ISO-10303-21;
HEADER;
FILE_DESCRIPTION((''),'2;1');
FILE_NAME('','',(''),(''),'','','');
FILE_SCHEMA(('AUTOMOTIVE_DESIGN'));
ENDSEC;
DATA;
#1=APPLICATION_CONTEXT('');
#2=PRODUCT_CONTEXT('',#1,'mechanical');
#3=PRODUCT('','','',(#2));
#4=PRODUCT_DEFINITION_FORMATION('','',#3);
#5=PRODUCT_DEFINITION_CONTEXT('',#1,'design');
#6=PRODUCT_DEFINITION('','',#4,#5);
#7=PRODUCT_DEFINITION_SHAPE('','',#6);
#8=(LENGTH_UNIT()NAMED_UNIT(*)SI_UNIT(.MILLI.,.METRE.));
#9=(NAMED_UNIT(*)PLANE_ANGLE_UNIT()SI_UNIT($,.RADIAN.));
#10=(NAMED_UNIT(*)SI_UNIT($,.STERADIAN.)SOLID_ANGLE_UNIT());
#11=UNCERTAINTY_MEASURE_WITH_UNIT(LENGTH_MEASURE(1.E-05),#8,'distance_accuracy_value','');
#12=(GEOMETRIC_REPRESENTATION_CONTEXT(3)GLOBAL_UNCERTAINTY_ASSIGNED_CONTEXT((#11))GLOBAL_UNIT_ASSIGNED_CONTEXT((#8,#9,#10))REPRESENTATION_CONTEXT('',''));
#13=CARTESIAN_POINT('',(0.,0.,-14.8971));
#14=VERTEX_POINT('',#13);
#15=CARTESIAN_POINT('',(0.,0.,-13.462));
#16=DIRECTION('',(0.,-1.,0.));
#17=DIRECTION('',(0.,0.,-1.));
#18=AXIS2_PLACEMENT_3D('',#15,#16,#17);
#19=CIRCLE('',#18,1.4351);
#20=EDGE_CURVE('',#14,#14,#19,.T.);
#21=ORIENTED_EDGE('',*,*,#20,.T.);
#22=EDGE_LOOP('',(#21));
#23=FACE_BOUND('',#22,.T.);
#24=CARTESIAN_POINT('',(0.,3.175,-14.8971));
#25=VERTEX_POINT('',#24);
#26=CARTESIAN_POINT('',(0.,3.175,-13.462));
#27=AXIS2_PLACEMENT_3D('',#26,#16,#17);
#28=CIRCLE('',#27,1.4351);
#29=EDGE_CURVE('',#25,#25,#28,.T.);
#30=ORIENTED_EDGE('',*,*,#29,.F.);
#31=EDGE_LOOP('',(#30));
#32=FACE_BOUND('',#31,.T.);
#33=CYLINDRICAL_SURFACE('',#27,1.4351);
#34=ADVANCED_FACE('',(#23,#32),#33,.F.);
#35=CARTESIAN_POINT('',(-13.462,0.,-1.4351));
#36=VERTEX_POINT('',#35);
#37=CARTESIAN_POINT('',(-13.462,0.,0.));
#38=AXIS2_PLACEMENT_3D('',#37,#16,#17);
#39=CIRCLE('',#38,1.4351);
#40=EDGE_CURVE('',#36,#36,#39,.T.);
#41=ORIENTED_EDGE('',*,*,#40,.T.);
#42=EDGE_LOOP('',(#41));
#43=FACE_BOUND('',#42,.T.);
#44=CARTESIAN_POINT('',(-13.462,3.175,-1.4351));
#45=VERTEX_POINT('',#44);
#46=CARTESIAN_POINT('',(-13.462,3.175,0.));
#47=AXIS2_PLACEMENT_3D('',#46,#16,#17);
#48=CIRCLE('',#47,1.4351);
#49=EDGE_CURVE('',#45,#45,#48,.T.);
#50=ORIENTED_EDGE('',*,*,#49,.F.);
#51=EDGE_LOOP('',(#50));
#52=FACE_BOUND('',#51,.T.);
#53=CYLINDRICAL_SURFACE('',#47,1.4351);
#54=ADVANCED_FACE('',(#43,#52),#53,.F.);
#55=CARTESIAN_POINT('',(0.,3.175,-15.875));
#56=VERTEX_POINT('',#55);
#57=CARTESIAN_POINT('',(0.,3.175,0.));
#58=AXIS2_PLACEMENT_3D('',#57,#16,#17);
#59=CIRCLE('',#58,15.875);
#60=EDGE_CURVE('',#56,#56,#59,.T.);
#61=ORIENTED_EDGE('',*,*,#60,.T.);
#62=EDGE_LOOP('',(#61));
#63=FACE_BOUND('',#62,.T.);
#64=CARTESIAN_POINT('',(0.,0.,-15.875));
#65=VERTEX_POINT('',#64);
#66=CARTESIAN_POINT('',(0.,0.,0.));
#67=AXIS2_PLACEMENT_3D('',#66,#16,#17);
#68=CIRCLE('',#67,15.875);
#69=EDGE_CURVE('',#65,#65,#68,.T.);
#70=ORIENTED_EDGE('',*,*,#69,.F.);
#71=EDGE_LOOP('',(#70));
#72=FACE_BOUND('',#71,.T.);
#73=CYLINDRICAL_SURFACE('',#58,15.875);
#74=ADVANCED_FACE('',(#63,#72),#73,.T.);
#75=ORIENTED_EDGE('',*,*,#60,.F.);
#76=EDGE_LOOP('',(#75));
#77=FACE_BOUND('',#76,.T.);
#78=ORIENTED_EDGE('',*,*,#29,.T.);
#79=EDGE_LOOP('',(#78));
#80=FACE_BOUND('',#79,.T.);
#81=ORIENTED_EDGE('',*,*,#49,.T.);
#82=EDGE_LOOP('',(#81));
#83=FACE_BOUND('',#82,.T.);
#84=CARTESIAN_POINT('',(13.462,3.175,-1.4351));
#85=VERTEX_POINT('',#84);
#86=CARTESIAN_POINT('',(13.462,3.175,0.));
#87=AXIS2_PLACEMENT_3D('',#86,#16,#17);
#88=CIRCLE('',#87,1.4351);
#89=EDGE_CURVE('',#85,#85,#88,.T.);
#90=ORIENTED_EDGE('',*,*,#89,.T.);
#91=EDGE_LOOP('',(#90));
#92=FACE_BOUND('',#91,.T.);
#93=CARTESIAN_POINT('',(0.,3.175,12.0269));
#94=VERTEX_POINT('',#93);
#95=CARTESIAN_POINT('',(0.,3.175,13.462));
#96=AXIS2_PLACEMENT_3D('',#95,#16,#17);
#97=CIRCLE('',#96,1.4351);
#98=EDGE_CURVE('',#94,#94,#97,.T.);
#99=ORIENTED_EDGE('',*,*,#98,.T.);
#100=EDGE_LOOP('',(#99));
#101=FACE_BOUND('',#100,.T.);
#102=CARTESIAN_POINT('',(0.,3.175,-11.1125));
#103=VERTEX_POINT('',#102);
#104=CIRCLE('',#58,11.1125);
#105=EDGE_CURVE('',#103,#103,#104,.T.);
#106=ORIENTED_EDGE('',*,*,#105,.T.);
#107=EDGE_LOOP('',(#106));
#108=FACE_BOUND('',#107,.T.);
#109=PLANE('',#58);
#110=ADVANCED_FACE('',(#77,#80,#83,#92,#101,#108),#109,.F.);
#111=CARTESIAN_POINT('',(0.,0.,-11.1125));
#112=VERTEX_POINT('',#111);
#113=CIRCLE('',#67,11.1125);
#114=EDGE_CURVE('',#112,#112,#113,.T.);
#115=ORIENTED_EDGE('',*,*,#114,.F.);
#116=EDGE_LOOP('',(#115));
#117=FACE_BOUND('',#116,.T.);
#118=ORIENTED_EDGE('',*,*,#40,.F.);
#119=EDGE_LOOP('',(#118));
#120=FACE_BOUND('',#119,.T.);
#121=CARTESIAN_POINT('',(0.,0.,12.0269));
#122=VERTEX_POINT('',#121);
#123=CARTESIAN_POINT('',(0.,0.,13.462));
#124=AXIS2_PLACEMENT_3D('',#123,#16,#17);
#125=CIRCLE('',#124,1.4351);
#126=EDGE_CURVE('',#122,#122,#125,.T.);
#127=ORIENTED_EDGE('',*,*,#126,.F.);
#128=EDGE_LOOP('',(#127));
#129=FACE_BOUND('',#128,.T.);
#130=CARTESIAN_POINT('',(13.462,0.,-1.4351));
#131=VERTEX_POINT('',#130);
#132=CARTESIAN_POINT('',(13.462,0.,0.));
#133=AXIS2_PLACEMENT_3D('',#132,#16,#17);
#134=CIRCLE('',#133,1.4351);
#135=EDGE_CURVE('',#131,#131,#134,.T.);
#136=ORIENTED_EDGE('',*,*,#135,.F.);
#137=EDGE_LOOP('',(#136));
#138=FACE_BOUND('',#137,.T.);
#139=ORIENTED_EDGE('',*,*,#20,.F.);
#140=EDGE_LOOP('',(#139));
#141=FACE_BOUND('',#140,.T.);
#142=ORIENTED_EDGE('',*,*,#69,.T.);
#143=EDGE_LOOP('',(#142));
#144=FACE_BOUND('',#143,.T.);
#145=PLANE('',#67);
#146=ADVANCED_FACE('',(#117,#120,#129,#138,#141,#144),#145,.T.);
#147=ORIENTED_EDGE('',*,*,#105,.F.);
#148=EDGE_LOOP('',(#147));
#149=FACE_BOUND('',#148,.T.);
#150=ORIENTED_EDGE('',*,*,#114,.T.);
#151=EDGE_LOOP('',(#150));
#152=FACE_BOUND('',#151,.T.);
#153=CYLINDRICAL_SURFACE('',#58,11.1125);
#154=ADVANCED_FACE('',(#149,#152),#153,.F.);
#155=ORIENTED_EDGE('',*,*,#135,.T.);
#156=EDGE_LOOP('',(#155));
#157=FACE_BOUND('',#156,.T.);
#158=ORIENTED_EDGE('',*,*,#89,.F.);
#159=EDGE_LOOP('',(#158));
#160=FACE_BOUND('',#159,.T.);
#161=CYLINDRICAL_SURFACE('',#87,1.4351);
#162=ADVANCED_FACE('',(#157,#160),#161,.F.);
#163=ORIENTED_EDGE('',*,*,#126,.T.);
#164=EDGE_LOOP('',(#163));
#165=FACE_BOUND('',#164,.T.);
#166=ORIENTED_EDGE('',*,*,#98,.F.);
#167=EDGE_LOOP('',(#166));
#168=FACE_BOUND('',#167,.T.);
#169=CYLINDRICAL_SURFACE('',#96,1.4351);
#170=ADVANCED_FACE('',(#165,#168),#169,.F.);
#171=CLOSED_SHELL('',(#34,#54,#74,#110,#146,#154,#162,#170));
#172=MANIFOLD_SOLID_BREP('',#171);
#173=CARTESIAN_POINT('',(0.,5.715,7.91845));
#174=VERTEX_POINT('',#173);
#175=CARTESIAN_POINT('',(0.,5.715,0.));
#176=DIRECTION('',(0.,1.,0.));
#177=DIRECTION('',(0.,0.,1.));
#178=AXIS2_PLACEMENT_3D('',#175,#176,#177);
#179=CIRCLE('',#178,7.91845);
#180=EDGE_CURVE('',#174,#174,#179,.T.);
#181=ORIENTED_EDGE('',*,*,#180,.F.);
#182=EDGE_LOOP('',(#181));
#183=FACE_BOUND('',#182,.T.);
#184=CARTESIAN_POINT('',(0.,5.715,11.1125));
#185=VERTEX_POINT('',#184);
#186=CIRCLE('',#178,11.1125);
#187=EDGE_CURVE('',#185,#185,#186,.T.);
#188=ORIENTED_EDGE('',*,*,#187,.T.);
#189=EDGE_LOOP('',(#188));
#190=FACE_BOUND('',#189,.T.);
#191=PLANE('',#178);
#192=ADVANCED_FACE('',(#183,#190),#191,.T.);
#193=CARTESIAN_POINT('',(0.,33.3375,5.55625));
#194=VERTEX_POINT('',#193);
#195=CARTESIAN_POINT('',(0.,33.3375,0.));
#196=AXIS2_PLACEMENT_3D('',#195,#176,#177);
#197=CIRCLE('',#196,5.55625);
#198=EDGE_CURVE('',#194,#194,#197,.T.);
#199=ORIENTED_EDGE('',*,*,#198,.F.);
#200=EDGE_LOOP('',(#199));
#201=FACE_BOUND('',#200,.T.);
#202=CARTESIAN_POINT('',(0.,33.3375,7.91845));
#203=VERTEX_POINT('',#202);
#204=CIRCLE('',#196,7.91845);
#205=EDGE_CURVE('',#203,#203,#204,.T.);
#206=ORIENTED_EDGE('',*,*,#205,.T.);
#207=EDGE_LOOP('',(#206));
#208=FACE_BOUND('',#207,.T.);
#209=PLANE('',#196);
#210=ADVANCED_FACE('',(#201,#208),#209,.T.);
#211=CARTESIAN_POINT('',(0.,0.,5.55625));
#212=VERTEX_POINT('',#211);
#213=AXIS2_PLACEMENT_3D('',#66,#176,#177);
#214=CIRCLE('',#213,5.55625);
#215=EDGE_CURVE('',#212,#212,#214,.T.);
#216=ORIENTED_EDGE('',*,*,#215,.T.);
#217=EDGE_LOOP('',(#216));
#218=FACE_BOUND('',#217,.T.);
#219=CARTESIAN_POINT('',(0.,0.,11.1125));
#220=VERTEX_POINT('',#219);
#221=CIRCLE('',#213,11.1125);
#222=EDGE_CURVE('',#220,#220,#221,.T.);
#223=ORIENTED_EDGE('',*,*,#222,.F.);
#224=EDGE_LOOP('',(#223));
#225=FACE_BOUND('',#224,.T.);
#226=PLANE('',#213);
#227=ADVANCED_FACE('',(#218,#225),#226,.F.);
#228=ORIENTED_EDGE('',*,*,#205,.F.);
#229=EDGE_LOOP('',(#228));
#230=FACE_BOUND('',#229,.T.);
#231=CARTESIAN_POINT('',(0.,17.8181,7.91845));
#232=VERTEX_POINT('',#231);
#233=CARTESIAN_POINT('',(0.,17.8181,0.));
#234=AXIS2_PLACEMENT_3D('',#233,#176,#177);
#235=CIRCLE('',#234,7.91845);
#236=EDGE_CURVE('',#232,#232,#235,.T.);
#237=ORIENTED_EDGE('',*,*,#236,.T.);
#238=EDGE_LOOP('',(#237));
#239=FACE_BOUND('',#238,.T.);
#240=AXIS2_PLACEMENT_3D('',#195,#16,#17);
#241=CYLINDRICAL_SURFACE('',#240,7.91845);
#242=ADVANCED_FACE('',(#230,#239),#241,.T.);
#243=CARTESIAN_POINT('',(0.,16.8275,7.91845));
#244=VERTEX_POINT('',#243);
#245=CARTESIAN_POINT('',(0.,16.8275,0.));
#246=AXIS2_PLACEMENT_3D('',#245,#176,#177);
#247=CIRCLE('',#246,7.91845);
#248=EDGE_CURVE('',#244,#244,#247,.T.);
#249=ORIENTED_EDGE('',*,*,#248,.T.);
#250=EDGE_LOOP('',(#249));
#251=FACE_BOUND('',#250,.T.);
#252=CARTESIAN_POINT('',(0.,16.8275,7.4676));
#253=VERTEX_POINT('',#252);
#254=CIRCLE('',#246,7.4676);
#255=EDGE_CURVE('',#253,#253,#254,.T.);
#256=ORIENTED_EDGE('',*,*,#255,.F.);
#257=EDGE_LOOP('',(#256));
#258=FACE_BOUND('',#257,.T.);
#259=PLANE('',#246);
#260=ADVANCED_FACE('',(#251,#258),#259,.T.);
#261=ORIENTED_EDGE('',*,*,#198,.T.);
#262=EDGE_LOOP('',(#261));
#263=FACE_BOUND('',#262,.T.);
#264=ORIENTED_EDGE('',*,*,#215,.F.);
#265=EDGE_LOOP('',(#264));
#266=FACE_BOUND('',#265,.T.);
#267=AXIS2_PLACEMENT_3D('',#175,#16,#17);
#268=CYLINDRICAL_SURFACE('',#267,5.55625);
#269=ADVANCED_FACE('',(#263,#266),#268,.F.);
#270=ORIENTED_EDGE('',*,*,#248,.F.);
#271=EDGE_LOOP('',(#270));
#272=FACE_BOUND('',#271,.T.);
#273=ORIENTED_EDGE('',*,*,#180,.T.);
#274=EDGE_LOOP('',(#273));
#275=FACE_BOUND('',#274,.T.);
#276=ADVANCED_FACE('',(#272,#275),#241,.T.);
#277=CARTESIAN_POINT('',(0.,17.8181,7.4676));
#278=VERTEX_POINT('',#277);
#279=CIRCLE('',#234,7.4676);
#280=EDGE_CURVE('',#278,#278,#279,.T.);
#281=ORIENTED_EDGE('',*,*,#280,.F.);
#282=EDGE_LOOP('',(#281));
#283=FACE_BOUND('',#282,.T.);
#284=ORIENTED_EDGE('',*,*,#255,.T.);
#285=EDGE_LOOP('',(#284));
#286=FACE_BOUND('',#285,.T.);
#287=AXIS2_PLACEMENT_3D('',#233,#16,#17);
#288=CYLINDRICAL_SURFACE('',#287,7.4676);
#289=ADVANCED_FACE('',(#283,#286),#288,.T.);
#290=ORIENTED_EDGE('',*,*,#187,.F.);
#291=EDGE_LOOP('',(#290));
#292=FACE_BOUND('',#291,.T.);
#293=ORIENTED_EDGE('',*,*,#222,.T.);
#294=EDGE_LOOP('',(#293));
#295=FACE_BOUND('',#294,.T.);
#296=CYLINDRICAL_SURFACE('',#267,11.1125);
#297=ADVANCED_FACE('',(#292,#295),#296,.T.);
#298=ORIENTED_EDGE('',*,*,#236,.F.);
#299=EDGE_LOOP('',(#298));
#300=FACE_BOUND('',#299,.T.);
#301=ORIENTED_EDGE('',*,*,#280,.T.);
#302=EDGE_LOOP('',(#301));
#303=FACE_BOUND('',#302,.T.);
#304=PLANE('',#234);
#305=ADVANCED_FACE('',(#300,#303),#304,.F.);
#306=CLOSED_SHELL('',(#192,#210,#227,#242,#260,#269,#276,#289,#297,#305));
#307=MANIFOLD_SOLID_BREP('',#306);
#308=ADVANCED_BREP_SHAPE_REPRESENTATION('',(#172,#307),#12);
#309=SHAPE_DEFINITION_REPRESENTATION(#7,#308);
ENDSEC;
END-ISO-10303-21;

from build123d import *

# Parameters (mm, degrees)
SKETCH1_R           = 11.1125
SKETCH1_R_2         = 5.55625
BOSS_EXTRUDE1_DEPTH = 5.715
SKETCH2_R           = 7.91845
SKETCH2_R_2         = 5.55625
BOSS_EXTRUDE2_DEPTH = 27.6225
SKETCH3_OUTSIDE_W   = 33.388
SKETCH3_OUTSIDE_H   = 33.388
SKETCH3_OUTSIDE_R   = 7.4676
CUT_EXTRUDE1_DEPTH  = 0.9906
SKETCH4_R           = 15.875
SKETCH4_R_2         = 1.4351
SKETCH4_R_3         = 11.1125
BOSS_EXTRUDE3_DEPTH = 3.175


with BuildPart() as part:
    # Sketch1 → Boss-Extrude1 (new body)
    with BuildSketch(Plane(origin=(0, 0, 0), x_dir=(1, 0, 0), z_dir=(0, 1, 0))):
        Circle(SKETCH1_R)
        Circle(SKETCH1_R_2, mode=Mode.SUBTRACT)
    extrude(amount=BOSS_EXTRUDE1_DEPTH)

    # Sketch2 → Boss-Extrude2 (add)
    with BuildSketch(Plane(origin=(0, 5.715, 0), x_dir=(1, 0, 0), z_dir=(0, 1, 0))):
        Circle(SKETCH2_R)
        Circle(SKETCH2_R_2, mode=Mode.SUBTRACT)
    extrude(amount=BOSS_EXTRUDE2_DEPTH)

    # Sketch3 outside → Cut-Extrude1 (cut)
    with BuildSketch(Plane(origin=(0, 16.8275, 0), x_dir=(-1, 0, 0), z_dir=(0, 1, 0))):
        Rectangle(SKETCH3_OUTSIDE_W, SKETCH3_OUTSIDE_H)
        Circle(SKETCH3_OUTSIDE_R, mode=Mode.SUBTRACT)
    extrude(amount=CUT_EXTRUDE1_DEPTH, mode=Mode.SUBTRACT)


with BuildPart() as body_2:
    # Sketch4 → Boss-Extrude3 (new body)
    with BuildSketch(Plane.XZ):
        Circle(SKETCH4_R)
        with Locations((0, 13.462)):
            Circle(SKETCH4_R_2, mode=Mode.SUBTRACT)
        with Locations((13.462, 0)):
            Circle(SKETCH4_R_2, mode=Mode.SUBTRACT)
        with Locations((0, -13.462)):
            Circle(SKETCH4_R_2, mode=Mode.SUBTRACT)
        with Locations((-13.462, 0)):
            Circle(SKETCH4_R_2, mode=Mode.SUBTRACT)
        Circle(SKETCH4_R_3, mode=Mode.SUBTRACT)
    extrude(amount=-BOSS_EXTRUDE3_DEPTH)


solid = Compound([part.part, body_2.part])
